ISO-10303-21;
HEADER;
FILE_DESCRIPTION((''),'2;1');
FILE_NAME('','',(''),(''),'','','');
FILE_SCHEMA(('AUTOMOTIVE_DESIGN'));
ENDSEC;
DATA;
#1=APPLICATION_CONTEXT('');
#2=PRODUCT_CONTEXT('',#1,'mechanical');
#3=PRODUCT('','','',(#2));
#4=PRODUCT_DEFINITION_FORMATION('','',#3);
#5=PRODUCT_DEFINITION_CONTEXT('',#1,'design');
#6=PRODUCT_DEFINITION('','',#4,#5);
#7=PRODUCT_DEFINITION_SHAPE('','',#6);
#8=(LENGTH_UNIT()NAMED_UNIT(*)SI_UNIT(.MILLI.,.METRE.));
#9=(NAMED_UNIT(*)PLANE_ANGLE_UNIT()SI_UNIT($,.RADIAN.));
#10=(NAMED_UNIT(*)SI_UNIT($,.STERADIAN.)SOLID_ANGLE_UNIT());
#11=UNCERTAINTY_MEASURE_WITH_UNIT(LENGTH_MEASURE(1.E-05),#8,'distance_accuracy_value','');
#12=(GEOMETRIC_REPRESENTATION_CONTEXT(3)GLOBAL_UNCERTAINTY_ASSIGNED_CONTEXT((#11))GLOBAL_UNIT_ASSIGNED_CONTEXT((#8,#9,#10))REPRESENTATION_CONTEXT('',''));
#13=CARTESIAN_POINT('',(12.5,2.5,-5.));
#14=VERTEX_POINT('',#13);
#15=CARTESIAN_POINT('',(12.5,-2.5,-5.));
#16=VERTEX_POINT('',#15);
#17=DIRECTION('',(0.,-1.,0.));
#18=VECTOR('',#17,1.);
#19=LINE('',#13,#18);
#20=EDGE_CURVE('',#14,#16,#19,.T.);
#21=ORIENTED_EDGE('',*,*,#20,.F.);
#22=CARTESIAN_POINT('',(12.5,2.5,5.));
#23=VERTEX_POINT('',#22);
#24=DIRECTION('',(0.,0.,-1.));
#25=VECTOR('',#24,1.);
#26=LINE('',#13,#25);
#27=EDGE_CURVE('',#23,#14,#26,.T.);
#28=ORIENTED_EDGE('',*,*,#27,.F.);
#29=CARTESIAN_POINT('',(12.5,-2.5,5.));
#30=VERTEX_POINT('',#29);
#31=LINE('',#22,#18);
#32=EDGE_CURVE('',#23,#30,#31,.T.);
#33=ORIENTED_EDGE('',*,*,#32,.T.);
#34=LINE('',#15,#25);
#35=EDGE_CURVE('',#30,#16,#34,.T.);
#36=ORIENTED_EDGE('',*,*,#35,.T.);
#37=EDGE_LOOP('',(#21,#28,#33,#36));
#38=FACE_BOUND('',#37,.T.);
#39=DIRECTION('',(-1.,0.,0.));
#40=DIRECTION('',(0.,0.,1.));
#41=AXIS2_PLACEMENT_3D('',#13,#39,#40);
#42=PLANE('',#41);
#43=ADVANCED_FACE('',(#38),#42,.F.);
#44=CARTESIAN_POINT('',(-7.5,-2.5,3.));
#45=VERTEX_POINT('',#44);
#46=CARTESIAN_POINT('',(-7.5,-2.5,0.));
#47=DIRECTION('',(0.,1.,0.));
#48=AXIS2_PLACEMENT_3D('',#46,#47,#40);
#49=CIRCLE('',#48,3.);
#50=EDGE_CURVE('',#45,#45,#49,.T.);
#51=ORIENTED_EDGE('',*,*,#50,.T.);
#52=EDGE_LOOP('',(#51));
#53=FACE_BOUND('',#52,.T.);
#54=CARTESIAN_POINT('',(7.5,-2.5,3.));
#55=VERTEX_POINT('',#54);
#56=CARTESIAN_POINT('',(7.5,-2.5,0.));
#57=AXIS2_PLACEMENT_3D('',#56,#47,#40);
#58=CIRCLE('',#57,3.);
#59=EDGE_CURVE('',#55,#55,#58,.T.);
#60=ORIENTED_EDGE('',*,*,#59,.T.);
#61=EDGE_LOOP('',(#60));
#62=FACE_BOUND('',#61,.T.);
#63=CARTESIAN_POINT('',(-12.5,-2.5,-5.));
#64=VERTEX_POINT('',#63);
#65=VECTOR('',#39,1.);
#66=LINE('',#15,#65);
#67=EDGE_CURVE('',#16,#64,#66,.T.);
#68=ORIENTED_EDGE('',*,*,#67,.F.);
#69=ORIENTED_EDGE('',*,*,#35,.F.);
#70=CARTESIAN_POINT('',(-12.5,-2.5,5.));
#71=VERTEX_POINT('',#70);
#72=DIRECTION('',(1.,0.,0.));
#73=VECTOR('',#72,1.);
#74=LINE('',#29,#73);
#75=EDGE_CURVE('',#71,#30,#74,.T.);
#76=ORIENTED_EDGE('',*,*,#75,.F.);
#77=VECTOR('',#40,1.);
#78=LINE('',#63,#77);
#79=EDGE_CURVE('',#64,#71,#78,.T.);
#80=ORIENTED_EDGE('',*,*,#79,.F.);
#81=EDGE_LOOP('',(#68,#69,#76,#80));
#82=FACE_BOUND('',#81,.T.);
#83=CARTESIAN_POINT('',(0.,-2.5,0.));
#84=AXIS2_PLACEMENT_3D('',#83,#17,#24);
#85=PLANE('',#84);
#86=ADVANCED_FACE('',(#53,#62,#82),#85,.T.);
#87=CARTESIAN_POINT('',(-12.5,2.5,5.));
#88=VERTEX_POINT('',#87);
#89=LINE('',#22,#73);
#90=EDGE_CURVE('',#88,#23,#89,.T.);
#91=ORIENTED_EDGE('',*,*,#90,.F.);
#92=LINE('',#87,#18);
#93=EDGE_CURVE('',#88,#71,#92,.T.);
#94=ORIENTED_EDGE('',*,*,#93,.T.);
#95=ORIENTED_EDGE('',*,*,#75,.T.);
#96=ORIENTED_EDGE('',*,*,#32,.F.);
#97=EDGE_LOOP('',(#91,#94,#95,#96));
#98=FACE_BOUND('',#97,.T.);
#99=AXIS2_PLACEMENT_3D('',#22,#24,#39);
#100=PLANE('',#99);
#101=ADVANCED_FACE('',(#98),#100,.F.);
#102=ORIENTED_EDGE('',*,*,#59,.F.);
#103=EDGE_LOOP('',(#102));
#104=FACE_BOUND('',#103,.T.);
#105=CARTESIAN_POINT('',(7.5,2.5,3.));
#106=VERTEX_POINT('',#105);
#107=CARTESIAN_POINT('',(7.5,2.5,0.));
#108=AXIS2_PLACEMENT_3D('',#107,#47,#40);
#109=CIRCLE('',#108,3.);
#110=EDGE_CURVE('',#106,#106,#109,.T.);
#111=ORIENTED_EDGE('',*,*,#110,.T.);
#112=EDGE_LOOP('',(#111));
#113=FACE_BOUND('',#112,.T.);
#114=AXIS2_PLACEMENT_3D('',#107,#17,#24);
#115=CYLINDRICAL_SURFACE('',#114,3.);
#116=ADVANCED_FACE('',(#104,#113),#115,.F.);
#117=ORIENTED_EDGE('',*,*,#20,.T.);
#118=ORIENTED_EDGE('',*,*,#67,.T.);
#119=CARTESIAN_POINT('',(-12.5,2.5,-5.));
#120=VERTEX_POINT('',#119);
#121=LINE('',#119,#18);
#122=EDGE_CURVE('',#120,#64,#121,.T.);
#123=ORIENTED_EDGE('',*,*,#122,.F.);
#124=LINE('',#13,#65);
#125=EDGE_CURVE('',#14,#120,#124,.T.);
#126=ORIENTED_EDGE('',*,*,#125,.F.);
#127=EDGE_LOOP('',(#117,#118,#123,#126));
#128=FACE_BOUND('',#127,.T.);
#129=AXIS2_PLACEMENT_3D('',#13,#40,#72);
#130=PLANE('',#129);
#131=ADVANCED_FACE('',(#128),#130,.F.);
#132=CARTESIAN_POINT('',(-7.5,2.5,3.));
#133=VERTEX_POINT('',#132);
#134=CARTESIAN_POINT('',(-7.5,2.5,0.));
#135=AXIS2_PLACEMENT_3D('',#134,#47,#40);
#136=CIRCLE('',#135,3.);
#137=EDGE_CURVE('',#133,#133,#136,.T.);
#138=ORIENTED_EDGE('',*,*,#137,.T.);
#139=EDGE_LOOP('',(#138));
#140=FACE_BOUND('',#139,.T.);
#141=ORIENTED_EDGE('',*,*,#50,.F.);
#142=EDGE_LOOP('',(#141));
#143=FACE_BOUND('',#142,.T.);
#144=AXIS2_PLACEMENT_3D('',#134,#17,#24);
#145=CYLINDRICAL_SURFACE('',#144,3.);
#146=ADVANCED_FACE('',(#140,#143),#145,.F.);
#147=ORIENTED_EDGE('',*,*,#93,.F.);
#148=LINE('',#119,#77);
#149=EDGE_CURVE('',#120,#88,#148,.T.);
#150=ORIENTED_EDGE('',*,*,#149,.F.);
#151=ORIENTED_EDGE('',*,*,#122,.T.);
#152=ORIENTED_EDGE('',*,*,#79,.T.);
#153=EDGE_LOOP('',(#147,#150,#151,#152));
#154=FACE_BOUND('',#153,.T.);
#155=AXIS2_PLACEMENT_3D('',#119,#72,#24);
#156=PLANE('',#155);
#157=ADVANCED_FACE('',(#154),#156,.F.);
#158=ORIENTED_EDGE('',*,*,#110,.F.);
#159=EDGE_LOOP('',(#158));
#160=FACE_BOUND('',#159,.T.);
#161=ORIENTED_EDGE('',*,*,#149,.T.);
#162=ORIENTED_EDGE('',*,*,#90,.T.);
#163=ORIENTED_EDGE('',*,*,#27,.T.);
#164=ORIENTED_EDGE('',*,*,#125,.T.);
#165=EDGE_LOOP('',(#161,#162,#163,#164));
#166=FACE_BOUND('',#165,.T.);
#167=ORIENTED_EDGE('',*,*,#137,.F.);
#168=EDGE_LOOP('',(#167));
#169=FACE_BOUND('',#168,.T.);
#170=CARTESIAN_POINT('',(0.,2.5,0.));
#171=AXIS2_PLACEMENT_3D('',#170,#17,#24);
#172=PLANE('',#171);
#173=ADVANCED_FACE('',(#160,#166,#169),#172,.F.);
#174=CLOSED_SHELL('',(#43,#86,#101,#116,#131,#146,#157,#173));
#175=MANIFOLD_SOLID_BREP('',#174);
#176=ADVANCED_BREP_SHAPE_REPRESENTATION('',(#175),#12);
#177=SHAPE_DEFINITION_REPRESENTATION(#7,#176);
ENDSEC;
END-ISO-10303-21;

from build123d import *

# Parameters (mm, degrees)
SKETCH1_W           = 25
SKETCH1_H           = 10
SKETCH1_R           = 3
BOSS_EXTRUDE1_DEPTH = 2.5


with BuildPart() as part:
    # Sketch1 → Boss-Extrude1 (new, symmetric)
    with BuildSketch(Plane(origin=(0, 0, 0), x_dir=(1, 0, 0), z_dir=(0, 1, 0))):
        Rectangle(SKETCH1_W, SKETCH1_H)
        with Locations(Location((-7.5, 0, 0), (0, 0, 270))):
            Circle(SKETCH1_R, mode=Mode.SUBTRACT)
        with Locations(Location((7.5, 0, 0), (0, 0, 270))):
            Circle(SKETCH1_R, mode=Mode.SUBTRACT)
    extrude(amount=BOSS_EXTRUDE1_DEPTH, both=True)


solid = part.part
